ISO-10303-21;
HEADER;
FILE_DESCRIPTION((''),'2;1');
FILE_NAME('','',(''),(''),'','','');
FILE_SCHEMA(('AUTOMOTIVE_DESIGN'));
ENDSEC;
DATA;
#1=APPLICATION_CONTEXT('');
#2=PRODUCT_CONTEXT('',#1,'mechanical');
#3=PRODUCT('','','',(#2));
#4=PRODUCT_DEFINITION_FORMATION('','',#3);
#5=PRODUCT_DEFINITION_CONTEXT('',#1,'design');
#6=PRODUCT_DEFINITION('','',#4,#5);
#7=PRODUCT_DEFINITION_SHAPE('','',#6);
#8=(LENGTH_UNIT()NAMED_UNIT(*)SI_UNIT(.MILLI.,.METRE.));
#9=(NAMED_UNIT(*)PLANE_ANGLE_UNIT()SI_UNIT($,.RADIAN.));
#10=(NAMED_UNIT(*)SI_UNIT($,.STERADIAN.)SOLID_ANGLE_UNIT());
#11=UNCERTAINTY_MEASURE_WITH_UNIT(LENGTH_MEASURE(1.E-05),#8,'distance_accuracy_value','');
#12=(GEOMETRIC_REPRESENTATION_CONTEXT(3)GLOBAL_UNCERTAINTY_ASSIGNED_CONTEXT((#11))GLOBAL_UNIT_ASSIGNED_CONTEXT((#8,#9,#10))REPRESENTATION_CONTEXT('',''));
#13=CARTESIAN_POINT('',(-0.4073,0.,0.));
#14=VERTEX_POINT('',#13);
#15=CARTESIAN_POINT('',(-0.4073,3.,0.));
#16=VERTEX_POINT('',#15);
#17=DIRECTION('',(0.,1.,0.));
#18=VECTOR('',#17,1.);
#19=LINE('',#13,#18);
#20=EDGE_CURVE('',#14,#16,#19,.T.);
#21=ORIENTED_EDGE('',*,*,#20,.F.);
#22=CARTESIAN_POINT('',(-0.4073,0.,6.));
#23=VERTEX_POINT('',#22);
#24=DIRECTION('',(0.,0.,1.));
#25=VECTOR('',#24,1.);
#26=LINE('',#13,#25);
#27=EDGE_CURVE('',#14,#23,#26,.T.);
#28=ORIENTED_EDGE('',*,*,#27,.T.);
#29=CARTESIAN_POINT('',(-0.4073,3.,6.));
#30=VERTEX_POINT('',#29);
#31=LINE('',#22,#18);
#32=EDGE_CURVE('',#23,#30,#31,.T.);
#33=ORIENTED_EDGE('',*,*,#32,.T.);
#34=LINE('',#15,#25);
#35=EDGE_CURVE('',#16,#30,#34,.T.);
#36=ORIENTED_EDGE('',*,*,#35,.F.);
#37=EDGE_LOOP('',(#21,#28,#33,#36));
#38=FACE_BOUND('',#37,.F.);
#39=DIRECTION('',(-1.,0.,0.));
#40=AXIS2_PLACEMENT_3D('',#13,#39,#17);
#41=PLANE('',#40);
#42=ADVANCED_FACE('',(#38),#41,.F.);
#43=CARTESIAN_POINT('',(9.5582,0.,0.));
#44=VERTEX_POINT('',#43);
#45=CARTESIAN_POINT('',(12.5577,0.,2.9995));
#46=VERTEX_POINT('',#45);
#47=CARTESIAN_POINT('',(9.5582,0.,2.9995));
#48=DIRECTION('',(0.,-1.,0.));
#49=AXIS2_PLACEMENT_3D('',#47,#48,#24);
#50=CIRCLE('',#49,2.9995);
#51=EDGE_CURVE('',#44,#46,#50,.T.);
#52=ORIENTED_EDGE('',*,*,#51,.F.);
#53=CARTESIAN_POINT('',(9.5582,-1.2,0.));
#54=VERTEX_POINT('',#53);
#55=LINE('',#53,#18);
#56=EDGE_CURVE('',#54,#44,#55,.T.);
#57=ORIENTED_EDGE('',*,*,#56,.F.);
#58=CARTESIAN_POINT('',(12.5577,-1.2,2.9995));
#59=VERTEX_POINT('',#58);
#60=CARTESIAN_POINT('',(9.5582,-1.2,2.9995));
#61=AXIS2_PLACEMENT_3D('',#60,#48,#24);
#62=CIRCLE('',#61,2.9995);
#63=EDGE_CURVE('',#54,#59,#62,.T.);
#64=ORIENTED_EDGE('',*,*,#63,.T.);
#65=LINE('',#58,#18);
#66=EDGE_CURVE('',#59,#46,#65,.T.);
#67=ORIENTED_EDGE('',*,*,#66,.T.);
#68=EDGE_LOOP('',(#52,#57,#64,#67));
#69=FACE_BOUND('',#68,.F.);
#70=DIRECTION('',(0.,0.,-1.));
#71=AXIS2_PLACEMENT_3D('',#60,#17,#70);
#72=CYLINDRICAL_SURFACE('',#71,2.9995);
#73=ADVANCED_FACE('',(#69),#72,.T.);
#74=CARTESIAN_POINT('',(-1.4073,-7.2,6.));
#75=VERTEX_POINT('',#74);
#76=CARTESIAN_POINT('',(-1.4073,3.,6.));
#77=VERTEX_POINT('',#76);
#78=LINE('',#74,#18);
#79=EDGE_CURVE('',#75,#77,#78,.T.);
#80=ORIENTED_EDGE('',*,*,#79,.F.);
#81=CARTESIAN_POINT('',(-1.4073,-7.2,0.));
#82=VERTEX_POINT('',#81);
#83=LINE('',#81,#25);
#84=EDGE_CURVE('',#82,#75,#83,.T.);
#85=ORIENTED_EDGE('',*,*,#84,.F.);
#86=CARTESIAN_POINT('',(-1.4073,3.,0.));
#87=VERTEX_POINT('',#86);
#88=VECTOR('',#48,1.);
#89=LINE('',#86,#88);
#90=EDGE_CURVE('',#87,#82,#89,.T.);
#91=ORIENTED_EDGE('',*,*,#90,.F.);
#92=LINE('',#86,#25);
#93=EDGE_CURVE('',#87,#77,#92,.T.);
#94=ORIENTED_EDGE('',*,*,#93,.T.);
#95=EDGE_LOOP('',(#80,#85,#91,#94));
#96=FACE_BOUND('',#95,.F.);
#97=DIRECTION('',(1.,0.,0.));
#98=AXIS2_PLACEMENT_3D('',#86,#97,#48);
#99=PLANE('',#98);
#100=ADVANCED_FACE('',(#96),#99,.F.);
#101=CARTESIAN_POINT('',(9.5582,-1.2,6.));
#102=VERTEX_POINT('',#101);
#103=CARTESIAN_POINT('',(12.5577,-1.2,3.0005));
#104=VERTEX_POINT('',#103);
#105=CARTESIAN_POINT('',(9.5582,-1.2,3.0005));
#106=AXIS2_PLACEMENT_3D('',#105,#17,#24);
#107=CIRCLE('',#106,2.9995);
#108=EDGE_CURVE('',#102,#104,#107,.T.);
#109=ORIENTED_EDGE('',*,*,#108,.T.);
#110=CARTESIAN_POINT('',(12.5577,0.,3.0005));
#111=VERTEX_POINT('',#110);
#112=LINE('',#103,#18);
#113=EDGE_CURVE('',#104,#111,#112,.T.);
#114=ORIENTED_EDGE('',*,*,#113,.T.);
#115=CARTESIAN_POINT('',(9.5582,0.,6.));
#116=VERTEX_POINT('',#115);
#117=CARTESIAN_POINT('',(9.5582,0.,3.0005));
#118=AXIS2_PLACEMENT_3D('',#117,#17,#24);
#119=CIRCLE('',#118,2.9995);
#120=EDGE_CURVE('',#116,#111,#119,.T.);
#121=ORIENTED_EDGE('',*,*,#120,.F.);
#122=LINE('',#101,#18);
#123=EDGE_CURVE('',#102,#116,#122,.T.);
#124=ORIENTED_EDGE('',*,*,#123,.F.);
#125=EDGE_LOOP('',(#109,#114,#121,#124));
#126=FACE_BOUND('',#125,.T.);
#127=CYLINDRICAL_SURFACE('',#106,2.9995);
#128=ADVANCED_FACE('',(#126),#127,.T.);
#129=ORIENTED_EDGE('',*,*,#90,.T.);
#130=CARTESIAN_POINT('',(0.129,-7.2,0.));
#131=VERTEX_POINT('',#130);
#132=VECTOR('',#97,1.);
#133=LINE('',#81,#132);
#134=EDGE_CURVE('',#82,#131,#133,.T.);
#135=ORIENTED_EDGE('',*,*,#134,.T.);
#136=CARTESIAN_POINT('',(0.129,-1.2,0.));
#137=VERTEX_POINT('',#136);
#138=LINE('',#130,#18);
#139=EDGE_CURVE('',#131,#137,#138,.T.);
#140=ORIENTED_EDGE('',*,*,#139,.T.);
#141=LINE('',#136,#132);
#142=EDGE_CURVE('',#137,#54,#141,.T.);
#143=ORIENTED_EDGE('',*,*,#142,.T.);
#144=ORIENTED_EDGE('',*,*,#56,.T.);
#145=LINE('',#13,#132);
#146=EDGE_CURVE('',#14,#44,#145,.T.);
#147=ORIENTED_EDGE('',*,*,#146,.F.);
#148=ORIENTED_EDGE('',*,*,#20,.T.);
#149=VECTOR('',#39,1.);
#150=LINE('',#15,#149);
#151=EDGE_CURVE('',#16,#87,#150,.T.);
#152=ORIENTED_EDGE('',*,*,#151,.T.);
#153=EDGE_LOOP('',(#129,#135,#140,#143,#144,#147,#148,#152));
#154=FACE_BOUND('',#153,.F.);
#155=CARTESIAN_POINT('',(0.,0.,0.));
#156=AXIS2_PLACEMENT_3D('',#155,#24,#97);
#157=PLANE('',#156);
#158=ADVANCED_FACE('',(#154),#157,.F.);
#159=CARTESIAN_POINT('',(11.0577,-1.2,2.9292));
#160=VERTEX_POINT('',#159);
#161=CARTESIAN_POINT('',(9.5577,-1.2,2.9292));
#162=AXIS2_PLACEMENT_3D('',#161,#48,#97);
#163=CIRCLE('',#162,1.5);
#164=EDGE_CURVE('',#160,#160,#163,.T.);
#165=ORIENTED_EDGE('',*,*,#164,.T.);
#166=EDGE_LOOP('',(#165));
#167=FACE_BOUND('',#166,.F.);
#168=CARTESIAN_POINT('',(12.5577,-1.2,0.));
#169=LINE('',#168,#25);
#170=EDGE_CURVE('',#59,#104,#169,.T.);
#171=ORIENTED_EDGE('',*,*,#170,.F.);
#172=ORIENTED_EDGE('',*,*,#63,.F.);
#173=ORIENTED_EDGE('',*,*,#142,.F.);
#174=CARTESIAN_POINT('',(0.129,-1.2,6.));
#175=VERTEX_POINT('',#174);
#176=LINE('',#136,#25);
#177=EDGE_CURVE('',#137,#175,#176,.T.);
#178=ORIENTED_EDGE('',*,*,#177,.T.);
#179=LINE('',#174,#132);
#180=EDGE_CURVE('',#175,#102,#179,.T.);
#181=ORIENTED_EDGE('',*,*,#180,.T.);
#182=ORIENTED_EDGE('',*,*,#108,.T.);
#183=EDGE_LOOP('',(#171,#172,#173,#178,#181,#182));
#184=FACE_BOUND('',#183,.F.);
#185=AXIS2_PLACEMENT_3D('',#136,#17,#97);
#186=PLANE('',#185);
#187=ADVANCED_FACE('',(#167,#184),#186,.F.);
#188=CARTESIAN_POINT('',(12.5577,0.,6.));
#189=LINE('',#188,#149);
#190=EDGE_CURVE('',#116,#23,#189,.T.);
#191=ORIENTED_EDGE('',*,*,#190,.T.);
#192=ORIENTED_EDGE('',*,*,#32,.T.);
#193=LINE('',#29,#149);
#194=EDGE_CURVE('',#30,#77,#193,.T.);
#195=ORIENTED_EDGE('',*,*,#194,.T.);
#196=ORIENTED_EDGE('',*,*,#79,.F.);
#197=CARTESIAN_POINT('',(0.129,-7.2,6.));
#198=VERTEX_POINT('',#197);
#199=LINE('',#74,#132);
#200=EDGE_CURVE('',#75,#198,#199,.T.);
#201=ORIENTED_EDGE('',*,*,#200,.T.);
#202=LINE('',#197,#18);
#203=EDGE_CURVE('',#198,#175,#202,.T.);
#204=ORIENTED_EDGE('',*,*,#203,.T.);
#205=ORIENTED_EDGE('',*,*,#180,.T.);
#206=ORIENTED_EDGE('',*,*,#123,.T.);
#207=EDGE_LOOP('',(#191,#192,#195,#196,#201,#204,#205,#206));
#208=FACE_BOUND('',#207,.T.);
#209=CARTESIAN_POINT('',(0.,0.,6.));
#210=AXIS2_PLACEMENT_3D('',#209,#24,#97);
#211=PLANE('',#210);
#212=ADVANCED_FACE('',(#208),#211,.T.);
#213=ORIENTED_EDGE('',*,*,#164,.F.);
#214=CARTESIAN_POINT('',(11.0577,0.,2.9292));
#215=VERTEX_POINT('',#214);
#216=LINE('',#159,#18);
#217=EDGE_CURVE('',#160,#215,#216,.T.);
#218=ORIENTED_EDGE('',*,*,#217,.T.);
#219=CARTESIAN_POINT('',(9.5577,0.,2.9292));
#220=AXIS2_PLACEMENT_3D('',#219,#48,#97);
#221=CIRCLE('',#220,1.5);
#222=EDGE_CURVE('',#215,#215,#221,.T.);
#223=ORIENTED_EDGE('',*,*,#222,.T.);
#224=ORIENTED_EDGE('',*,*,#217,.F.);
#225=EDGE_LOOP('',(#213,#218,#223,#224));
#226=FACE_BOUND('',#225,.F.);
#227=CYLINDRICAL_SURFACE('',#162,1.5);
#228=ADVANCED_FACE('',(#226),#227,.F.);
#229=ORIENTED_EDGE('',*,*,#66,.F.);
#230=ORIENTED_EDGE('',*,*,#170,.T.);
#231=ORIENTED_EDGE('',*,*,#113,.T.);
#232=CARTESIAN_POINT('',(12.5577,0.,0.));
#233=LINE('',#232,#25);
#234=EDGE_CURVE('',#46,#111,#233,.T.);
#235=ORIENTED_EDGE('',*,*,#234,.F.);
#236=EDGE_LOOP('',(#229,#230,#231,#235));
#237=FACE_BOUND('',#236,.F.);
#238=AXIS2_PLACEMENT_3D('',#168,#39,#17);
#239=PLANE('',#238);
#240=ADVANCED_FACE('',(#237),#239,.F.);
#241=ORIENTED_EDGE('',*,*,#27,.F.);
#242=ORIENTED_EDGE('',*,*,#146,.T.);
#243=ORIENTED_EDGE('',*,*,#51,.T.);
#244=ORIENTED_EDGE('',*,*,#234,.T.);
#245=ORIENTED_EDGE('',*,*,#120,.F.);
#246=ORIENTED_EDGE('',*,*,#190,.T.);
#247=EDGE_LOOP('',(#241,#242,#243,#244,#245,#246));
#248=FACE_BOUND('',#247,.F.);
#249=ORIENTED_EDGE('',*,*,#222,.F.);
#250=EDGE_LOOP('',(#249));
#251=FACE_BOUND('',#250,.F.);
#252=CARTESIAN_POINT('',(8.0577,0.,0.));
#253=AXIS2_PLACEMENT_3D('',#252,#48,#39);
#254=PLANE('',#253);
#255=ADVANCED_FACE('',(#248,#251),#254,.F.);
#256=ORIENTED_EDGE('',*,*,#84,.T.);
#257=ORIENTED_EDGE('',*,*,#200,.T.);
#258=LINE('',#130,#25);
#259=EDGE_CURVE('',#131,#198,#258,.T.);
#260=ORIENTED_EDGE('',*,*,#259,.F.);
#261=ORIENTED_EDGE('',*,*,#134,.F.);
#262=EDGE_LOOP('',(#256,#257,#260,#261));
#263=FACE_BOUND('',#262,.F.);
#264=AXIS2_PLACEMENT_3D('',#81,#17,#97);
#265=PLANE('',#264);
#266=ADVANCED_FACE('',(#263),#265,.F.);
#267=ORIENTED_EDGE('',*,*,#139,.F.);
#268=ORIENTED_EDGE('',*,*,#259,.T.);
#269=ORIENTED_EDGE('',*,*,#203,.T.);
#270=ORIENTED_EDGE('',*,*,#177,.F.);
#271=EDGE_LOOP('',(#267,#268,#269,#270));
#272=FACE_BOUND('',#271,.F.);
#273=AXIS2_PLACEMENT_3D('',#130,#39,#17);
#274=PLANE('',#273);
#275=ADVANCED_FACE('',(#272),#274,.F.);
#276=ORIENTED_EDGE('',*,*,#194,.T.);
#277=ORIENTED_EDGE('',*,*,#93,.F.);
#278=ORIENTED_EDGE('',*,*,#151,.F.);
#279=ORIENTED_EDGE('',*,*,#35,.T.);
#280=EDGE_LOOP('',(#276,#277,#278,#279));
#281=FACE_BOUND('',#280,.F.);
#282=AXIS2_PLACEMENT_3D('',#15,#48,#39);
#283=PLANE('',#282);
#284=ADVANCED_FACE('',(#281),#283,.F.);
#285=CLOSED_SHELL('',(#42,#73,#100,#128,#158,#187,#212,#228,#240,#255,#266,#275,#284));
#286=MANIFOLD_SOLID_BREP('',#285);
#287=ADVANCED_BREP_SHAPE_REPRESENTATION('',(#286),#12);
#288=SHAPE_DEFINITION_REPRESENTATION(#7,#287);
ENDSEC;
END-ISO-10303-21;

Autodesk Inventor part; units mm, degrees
ref_plane "YZ Plane" through (0, 0, 0) normal (1, 0, 0) x (0, 1, 0)
ref_plane "XZ Plane" through (0, 0, 0) normal (0, 1, 0) x (-1, 0, 0)
ref_plane "XY Plane" through (0, 0, 0) normal (0, 0, 1) x (1, 0, 0)
sketch "草圖1" plane through (0, 0, 0) normal (0, 0, 1) x (1, 0, 0)
  line L0 (-0.4423, 6) -> (-1.3723, 6) projected
  line L1 (-0.4423, 0) -> (-0.4423, 6) construction
  line L2 (-1.3723, 0) -> (0, 0) construction
  line L3 (-1.3723, 0) -> (-1.3723, 6) construction
  line L4 (-1.4073, -0.0008) -> (-1.4073, -7.2)
  line L5 (-1.4073, -7.2) -> (0.129, -7.2)
  line L6 (0.129, -7.2) -> (0.129, -1.2)
  line L7 (11.0577, 0) -> (8.0577, 0) projected
  line L8 (0.129, -1.2) -> (12.5577, -1.2)
  line L9 (12.5577, -1.2) -> (12.5577, 0)
  line L10 (12.5577, 0) -> (-0.4073, 0)
  line L11 (-0.4073, 0) -> (-0.4073, 3)
  line L12 (-0.4073, 3) -> (-1.4073, 3)
  line L13 (-1.4073, 3) -> (-1.4073, -0.0008)
  point P0 (-0.9073, 3)
  point P1 (9.5577, 0)
  dimension "d0" = 1
  dimension "d1" = 0.465
  dimension "d2" = 0.93
  dimension "d3" = 1.2
  dimension "d5" = 6
  dimension "d6" = 1.5
  dimension "d7" = 3
extrude "擠出1" add sketch "草圖1" along normal blind 6
sketch "草圖2" plane through (0.129, -1.2, 0) normal (0, -1, 0) x (1, 0, 0)
  circle A0 centre (9.4287, 2.9292) radius 1.5 projected
  point P0 (-0.129, 0)
extrude "擠出2" cut sketch "草圖2" against normal blind 4.2
fillet "圓角1" radius 3 2 edges at (12.5577, -0.6, 6) (12.5577, -0.6, 0)
equation "\"d1\" = 0.5 * d2"
properties part number "j1 endstop blocker"
